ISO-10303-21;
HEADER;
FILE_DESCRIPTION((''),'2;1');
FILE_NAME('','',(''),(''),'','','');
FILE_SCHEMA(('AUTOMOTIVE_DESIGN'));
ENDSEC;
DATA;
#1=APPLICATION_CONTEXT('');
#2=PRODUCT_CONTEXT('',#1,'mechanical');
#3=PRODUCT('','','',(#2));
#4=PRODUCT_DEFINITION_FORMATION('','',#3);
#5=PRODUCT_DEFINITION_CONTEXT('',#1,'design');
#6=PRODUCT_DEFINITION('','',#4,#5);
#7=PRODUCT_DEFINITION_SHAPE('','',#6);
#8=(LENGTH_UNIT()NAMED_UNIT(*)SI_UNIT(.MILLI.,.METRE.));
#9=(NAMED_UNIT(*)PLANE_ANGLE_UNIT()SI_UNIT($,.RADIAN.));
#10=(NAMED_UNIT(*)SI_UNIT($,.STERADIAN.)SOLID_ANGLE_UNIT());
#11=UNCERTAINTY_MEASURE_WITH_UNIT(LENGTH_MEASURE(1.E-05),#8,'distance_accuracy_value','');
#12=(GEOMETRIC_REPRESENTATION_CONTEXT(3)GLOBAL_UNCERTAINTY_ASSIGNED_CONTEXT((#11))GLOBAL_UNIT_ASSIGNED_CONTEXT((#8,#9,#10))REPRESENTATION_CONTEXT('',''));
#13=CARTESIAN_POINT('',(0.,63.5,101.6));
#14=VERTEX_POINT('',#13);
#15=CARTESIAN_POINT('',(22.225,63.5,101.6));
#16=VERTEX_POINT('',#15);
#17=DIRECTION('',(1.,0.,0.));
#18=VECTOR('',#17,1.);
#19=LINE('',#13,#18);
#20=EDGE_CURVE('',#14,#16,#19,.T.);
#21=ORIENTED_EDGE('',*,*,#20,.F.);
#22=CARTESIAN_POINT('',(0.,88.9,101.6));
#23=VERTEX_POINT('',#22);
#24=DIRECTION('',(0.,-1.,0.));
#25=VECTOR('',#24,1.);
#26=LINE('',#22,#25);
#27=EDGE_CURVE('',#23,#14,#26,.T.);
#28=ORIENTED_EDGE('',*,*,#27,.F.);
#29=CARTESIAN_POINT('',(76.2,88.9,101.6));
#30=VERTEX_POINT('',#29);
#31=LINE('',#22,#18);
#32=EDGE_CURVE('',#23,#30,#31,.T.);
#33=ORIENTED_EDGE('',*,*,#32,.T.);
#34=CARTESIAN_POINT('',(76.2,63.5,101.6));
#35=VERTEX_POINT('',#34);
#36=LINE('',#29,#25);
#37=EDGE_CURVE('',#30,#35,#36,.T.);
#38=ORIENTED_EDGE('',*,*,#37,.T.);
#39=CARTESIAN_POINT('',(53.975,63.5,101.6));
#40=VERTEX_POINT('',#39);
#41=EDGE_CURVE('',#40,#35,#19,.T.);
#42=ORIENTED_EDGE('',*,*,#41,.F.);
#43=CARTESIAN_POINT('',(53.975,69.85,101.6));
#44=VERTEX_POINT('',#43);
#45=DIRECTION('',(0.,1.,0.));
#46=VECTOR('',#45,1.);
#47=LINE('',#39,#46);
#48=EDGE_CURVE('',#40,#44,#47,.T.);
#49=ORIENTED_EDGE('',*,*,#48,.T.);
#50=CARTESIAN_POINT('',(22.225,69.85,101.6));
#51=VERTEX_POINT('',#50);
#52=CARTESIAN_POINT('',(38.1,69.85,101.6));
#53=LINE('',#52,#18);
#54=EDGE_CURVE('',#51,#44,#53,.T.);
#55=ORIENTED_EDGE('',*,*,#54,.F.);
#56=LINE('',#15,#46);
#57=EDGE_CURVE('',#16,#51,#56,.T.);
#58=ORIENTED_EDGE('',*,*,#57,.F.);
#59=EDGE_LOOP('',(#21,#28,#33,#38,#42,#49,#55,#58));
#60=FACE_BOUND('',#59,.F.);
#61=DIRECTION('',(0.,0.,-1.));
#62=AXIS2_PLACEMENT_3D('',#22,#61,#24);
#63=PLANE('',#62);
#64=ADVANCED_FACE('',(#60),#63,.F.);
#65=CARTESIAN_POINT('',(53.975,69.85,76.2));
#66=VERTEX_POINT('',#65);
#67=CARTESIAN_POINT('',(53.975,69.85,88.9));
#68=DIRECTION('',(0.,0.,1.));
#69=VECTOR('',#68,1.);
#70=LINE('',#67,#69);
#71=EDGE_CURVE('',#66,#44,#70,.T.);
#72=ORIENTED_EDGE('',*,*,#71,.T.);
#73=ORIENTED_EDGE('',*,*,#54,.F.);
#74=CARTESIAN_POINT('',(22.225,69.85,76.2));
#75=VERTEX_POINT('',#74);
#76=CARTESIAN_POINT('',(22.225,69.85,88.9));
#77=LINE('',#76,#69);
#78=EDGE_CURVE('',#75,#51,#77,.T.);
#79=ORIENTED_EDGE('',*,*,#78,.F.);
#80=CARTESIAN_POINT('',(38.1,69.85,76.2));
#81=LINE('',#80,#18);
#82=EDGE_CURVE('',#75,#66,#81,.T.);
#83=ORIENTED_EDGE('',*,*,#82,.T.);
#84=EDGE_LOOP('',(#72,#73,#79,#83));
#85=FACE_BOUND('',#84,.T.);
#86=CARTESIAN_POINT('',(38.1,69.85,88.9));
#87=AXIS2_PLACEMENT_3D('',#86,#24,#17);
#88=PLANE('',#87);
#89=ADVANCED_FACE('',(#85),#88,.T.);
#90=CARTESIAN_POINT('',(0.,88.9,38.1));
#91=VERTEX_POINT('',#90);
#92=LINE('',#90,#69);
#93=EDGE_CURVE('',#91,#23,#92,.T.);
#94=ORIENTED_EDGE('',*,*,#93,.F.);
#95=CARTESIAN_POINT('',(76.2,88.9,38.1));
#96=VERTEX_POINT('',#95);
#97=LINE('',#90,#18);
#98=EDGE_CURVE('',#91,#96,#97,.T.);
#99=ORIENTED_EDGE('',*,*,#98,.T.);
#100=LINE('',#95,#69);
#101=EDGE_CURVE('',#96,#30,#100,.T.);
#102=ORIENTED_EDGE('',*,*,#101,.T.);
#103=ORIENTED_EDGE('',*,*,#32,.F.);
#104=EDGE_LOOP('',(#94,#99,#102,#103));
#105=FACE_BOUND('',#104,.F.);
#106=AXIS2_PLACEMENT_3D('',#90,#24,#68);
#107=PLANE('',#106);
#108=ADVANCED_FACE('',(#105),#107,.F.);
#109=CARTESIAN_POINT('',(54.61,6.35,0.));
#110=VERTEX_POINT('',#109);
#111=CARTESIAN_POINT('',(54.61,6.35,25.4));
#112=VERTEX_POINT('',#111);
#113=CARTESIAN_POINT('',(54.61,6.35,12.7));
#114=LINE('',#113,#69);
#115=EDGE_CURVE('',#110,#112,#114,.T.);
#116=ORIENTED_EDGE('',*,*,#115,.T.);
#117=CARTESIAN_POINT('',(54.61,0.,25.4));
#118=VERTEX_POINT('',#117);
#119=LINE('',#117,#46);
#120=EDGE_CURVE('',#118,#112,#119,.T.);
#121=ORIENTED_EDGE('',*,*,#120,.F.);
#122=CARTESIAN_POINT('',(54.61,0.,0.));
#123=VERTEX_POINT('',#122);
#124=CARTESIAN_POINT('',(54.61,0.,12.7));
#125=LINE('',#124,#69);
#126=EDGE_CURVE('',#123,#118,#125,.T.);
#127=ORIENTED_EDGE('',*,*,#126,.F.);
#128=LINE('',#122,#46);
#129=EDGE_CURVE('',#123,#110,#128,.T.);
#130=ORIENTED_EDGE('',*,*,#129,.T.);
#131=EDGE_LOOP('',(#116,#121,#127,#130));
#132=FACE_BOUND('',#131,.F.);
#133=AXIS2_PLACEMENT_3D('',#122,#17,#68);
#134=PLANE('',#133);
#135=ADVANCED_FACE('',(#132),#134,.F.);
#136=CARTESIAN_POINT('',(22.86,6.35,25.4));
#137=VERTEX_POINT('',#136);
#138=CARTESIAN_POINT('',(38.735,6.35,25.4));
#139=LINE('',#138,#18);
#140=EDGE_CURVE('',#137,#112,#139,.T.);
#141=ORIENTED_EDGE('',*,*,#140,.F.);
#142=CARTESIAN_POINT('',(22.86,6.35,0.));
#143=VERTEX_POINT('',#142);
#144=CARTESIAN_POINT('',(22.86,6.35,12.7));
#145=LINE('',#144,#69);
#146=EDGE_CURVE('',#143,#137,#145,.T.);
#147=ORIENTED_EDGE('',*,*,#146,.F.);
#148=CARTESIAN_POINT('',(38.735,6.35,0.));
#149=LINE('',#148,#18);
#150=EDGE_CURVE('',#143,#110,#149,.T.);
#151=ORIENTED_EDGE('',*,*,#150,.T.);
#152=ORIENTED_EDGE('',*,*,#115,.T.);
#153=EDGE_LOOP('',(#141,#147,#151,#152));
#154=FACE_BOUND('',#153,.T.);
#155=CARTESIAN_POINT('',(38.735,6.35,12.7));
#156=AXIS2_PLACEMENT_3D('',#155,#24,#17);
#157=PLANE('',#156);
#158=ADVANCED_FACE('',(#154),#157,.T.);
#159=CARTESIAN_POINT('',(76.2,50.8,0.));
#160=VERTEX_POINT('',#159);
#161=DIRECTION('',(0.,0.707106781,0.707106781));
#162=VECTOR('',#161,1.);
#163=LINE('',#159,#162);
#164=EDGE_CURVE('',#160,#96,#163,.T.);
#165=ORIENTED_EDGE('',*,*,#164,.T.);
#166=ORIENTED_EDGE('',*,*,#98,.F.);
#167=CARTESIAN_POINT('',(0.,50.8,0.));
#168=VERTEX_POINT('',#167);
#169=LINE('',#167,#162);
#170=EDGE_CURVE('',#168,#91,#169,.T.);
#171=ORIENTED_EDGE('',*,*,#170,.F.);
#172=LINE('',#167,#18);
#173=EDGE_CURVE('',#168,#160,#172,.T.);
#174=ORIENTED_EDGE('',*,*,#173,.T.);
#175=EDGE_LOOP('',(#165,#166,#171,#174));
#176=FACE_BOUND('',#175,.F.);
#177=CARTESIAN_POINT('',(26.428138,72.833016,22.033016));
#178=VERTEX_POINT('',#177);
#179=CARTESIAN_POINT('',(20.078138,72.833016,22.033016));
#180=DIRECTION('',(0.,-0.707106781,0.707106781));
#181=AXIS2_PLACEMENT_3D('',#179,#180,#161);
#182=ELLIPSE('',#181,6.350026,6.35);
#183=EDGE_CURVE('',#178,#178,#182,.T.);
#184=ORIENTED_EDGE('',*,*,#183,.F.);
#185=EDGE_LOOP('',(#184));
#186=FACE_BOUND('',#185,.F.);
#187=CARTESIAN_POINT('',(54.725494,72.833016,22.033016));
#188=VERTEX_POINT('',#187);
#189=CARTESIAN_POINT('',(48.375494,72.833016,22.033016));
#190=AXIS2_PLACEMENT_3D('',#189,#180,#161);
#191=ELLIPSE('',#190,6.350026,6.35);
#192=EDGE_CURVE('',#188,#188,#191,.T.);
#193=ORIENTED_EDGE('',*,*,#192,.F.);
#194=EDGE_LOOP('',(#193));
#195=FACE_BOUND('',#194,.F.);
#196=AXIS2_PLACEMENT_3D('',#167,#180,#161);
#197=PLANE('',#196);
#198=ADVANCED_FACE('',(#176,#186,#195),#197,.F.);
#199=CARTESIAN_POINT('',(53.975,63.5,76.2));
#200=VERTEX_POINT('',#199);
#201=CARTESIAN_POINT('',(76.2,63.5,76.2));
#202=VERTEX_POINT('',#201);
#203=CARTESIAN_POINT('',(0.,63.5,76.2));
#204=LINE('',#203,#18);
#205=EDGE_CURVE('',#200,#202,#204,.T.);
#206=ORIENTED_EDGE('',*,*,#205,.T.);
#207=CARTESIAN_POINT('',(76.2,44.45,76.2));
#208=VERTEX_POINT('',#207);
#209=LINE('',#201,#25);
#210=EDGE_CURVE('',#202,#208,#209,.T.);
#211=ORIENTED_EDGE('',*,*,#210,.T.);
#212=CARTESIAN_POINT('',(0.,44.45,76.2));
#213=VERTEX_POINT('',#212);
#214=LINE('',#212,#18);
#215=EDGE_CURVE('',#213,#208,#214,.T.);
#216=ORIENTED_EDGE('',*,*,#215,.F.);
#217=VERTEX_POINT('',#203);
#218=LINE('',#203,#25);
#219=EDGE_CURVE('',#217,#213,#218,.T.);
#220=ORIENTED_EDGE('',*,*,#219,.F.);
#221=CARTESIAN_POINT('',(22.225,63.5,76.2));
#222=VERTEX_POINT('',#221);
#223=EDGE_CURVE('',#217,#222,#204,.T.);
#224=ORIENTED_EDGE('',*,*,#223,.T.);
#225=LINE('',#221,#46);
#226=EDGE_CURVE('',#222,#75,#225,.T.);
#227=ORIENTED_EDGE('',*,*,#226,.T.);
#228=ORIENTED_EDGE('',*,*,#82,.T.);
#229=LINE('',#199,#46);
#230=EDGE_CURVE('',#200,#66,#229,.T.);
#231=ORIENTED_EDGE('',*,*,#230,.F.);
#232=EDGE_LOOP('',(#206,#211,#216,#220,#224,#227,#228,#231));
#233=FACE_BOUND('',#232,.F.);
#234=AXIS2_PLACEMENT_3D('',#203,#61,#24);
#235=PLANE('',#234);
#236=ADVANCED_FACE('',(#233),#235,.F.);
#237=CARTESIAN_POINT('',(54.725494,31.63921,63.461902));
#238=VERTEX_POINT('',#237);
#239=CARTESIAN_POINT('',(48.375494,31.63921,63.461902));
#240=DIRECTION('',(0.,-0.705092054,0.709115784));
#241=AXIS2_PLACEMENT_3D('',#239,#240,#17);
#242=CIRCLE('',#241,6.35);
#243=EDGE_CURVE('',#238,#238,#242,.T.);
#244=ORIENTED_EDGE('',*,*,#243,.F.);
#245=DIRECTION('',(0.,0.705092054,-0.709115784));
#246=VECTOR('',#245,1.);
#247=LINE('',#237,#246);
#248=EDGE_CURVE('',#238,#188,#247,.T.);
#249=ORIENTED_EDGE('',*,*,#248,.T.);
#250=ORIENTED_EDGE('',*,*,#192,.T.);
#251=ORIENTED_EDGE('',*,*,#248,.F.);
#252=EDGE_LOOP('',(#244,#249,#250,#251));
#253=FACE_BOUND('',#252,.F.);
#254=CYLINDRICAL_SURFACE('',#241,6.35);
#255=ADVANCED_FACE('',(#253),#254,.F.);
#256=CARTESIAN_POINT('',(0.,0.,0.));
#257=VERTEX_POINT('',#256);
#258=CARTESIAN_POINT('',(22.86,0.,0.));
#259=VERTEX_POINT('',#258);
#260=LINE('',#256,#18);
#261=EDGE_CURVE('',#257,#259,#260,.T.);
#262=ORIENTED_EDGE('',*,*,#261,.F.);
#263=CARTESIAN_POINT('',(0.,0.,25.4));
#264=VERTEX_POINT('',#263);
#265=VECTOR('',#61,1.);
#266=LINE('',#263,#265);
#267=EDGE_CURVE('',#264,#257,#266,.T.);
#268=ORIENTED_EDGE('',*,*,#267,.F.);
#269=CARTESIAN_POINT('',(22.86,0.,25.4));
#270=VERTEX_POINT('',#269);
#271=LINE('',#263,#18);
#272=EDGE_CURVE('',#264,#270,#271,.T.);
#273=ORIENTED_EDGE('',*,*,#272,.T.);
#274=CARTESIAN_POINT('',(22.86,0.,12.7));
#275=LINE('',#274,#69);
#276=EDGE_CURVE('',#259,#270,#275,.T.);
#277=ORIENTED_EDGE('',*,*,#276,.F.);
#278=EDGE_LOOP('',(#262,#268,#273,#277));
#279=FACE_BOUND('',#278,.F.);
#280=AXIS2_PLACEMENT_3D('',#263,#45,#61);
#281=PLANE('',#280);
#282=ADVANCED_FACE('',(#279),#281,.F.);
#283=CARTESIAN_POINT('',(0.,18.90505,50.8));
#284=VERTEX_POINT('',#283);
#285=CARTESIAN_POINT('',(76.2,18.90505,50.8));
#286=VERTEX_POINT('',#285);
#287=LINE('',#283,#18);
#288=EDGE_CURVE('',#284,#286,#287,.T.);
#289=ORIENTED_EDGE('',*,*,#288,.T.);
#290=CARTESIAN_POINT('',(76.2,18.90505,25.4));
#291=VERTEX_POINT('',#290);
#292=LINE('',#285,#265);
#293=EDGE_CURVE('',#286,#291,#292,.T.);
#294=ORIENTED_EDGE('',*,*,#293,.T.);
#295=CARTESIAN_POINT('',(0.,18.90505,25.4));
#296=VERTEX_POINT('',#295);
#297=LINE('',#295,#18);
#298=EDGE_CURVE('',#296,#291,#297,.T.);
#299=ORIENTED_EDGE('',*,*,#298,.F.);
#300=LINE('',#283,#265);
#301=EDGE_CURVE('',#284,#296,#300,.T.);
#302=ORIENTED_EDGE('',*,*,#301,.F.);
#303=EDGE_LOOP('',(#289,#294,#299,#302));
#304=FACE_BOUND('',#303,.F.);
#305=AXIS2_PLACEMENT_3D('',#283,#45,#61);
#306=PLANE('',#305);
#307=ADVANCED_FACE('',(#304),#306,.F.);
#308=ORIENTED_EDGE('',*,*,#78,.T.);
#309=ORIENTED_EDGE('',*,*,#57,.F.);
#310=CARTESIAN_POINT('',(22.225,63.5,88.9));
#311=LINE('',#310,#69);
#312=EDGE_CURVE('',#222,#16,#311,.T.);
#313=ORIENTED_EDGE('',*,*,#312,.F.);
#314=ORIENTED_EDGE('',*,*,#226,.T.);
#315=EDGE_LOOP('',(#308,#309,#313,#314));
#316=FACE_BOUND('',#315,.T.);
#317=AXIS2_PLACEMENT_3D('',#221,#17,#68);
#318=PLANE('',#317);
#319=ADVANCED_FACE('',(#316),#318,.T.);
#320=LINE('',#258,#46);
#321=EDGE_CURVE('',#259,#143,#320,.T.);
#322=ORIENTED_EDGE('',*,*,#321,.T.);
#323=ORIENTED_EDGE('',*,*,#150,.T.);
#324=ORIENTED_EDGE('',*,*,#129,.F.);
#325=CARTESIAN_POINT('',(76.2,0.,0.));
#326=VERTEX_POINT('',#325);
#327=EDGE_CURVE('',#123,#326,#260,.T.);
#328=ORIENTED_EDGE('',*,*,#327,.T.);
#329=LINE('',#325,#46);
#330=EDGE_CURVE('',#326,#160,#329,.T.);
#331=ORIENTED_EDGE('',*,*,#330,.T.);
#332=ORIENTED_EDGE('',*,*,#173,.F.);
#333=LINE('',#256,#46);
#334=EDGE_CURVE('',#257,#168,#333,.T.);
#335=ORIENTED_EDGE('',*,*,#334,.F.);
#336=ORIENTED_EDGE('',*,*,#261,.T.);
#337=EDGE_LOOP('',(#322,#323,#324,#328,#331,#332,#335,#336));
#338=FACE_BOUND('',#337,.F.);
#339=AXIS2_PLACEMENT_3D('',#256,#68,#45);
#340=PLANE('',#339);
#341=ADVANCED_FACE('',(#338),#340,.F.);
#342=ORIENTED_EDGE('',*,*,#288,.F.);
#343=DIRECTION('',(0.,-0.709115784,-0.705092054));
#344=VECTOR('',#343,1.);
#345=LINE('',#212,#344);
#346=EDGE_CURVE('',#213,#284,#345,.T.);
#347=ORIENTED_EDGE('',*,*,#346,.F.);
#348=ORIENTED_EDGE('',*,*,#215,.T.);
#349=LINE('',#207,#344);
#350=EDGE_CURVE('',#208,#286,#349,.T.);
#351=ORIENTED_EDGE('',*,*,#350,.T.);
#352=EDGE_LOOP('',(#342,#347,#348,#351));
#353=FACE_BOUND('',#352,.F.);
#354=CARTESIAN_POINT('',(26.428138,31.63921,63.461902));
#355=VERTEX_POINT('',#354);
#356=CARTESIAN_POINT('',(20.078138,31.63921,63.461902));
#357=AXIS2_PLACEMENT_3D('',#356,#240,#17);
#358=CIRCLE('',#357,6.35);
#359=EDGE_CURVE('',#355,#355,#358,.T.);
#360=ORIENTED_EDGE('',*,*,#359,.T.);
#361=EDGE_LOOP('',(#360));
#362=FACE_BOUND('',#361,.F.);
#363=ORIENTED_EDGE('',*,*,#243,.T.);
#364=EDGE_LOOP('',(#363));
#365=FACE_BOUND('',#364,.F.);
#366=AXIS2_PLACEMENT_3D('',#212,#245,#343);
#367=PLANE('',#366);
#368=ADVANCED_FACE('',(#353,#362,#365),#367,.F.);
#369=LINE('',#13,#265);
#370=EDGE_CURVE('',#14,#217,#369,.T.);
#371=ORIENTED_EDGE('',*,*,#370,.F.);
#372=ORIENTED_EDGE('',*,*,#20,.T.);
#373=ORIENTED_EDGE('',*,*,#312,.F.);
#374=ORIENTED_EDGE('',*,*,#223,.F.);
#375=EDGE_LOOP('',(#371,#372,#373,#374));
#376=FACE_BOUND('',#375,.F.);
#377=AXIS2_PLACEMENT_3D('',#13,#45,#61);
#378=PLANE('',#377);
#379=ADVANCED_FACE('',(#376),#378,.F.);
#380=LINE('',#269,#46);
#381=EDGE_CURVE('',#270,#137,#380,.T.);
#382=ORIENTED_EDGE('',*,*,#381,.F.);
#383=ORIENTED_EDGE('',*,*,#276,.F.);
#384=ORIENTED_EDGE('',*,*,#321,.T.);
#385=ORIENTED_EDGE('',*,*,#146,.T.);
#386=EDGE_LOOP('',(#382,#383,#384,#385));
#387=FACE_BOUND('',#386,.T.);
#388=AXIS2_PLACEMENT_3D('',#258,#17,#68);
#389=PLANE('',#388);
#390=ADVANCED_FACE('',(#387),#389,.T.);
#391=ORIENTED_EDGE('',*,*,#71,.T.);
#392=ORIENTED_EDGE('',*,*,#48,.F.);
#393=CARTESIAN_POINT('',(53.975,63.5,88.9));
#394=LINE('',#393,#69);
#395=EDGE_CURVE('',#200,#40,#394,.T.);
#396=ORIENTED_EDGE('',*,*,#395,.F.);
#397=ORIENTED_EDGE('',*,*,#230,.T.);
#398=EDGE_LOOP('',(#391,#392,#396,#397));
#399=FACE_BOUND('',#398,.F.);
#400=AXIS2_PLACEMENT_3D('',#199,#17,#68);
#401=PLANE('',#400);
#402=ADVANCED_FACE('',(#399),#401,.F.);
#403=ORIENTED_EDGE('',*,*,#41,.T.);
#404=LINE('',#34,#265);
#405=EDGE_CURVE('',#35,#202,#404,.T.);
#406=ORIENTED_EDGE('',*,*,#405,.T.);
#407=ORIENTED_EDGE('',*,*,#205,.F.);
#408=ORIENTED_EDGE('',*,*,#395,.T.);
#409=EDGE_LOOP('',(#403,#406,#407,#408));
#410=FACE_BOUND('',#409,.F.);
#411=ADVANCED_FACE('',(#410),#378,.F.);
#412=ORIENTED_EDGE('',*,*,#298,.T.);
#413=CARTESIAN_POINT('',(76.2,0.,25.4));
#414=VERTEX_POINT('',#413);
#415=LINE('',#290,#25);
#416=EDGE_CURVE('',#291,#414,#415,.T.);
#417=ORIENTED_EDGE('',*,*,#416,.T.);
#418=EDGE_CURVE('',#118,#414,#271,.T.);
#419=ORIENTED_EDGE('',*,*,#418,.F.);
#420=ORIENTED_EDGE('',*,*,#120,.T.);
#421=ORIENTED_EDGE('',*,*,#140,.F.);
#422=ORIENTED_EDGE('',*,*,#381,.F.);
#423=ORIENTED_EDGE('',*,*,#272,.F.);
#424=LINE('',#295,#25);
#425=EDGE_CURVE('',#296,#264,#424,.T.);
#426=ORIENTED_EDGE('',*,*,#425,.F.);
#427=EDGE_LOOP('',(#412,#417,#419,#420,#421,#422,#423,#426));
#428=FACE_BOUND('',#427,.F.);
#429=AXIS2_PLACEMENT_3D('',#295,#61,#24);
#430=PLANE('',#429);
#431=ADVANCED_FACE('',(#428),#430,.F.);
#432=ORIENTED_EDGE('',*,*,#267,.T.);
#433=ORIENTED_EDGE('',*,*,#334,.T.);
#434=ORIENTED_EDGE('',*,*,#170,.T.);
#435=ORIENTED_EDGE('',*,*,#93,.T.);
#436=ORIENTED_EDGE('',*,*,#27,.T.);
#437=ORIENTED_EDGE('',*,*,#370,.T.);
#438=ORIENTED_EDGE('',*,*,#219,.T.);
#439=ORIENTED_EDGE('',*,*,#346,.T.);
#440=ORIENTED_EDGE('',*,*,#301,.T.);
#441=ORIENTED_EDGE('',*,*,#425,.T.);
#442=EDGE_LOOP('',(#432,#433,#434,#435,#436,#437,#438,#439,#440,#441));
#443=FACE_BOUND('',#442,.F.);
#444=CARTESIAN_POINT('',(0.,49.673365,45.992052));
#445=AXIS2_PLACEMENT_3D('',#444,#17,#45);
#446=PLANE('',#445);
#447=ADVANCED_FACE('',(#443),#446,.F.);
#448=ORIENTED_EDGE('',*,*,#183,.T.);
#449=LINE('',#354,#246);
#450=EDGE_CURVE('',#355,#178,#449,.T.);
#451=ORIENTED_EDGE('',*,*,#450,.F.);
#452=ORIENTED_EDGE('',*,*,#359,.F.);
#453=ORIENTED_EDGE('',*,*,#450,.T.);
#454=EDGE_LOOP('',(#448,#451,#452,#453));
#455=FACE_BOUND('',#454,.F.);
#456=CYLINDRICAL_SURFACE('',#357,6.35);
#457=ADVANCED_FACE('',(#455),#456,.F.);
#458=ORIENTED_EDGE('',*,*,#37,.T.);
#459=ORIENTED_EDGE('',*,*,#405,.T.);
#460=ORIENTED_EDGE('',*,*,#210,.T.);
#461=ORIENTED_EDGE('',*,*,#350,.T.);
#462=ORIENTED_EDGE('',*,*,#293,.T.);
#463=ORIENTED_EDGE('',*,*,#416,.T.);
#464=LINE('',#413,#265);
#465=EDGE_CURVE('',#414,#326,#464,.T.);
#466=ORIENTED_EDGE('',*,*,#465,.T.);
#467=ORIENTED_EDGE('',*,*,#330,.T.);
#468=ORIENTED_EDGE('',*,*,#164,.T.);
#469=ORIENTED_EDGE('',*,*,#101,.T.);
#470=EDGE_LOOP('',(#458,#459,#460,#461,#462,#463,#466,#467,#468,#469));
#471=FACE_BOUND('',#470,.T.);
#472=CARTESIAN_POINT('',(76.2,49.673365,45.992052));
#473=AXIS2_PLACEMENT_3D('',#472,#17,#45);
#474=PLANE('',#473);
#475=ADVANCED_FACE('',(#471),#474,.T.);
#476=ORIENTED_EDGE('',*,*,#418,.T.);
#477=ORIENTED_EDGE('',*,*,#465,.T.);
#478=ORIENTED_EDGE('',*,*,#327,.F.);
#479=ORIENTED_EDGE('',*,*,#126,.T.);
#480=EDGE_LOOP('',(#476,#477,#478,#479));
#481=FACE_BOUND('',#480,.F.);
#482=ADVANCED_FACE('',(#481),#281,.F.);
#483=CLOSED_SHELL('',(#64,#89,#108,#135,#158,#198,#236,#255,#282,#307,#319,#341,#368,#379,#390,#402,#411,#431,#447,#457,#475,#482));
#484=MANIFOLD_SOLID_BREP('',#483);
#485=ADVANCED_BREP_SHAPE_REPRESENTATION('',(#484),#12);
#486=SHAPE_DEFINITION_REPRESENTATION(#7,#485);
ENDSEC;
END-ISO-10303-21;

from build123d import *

# Parameters (mm, degrees)
F1_DEPTH = 76.2
F2_W     = 31.75
F2_H     = 25.4
F3_DEPTH = 6.35
F4_W     = 31.75
F4_H     = 25.4
F5_DEPTH = 6.35
F6_R     = 6.35
F7_DEPTH = 80.518


with BuildPart() as f1:
    # F0 (on Right) → F1 (new body)
    with BuildSketch(Plane.YZ):
        Polygon((0, 25.4), (0, 0), (50.8, 0), (88.9, 38.1), (88.9, 101.6), (63.5, 101.6), (63.5, 76.2), (44.45, 76.2), (18.9050504968, 50.8), (18.9050504968, 25.4), align=None)
    extrude(amount=F1_DEPTH)

    # F2 (on face) → F3 (cut)
    with BuildSketch(Plane.XZ.offset(-63.5)):
        with Locations((38.1, 88.9)):
            Rectangle(F2_W, F2_H)
    extrude(amount=-F3_DEPTH, mode=Mode.SUBTRACT)

    # F4 (on face) → F5 (cut)
    with BuildSketch(Plane.XZ):
        with Locations((38.735, 12.7)):
            Rectangle(F4_W, F4_H)
    extrude(amount=-F5_DEPTH, mode=Mode.SUBTRACT)

    # F6 (on face) → F7 (cut)
    with BuildSketch(Plane(origin=(0, -16.0008520758, 16.092163712), x_dir=(1, 0, 0), z_dir=(0, -0.7050920541, 0.7091157841))):
        with Locations((20.0781384668, 67.1823460538)):
            Circle(F6_R)
        with Locations((48.3754940052, 67.1823460538)):
            Circle(F6_R)
    extrude(amount=-F7_DEPTH, mode=Mode.SUBTRACT)


solid = f1.part
